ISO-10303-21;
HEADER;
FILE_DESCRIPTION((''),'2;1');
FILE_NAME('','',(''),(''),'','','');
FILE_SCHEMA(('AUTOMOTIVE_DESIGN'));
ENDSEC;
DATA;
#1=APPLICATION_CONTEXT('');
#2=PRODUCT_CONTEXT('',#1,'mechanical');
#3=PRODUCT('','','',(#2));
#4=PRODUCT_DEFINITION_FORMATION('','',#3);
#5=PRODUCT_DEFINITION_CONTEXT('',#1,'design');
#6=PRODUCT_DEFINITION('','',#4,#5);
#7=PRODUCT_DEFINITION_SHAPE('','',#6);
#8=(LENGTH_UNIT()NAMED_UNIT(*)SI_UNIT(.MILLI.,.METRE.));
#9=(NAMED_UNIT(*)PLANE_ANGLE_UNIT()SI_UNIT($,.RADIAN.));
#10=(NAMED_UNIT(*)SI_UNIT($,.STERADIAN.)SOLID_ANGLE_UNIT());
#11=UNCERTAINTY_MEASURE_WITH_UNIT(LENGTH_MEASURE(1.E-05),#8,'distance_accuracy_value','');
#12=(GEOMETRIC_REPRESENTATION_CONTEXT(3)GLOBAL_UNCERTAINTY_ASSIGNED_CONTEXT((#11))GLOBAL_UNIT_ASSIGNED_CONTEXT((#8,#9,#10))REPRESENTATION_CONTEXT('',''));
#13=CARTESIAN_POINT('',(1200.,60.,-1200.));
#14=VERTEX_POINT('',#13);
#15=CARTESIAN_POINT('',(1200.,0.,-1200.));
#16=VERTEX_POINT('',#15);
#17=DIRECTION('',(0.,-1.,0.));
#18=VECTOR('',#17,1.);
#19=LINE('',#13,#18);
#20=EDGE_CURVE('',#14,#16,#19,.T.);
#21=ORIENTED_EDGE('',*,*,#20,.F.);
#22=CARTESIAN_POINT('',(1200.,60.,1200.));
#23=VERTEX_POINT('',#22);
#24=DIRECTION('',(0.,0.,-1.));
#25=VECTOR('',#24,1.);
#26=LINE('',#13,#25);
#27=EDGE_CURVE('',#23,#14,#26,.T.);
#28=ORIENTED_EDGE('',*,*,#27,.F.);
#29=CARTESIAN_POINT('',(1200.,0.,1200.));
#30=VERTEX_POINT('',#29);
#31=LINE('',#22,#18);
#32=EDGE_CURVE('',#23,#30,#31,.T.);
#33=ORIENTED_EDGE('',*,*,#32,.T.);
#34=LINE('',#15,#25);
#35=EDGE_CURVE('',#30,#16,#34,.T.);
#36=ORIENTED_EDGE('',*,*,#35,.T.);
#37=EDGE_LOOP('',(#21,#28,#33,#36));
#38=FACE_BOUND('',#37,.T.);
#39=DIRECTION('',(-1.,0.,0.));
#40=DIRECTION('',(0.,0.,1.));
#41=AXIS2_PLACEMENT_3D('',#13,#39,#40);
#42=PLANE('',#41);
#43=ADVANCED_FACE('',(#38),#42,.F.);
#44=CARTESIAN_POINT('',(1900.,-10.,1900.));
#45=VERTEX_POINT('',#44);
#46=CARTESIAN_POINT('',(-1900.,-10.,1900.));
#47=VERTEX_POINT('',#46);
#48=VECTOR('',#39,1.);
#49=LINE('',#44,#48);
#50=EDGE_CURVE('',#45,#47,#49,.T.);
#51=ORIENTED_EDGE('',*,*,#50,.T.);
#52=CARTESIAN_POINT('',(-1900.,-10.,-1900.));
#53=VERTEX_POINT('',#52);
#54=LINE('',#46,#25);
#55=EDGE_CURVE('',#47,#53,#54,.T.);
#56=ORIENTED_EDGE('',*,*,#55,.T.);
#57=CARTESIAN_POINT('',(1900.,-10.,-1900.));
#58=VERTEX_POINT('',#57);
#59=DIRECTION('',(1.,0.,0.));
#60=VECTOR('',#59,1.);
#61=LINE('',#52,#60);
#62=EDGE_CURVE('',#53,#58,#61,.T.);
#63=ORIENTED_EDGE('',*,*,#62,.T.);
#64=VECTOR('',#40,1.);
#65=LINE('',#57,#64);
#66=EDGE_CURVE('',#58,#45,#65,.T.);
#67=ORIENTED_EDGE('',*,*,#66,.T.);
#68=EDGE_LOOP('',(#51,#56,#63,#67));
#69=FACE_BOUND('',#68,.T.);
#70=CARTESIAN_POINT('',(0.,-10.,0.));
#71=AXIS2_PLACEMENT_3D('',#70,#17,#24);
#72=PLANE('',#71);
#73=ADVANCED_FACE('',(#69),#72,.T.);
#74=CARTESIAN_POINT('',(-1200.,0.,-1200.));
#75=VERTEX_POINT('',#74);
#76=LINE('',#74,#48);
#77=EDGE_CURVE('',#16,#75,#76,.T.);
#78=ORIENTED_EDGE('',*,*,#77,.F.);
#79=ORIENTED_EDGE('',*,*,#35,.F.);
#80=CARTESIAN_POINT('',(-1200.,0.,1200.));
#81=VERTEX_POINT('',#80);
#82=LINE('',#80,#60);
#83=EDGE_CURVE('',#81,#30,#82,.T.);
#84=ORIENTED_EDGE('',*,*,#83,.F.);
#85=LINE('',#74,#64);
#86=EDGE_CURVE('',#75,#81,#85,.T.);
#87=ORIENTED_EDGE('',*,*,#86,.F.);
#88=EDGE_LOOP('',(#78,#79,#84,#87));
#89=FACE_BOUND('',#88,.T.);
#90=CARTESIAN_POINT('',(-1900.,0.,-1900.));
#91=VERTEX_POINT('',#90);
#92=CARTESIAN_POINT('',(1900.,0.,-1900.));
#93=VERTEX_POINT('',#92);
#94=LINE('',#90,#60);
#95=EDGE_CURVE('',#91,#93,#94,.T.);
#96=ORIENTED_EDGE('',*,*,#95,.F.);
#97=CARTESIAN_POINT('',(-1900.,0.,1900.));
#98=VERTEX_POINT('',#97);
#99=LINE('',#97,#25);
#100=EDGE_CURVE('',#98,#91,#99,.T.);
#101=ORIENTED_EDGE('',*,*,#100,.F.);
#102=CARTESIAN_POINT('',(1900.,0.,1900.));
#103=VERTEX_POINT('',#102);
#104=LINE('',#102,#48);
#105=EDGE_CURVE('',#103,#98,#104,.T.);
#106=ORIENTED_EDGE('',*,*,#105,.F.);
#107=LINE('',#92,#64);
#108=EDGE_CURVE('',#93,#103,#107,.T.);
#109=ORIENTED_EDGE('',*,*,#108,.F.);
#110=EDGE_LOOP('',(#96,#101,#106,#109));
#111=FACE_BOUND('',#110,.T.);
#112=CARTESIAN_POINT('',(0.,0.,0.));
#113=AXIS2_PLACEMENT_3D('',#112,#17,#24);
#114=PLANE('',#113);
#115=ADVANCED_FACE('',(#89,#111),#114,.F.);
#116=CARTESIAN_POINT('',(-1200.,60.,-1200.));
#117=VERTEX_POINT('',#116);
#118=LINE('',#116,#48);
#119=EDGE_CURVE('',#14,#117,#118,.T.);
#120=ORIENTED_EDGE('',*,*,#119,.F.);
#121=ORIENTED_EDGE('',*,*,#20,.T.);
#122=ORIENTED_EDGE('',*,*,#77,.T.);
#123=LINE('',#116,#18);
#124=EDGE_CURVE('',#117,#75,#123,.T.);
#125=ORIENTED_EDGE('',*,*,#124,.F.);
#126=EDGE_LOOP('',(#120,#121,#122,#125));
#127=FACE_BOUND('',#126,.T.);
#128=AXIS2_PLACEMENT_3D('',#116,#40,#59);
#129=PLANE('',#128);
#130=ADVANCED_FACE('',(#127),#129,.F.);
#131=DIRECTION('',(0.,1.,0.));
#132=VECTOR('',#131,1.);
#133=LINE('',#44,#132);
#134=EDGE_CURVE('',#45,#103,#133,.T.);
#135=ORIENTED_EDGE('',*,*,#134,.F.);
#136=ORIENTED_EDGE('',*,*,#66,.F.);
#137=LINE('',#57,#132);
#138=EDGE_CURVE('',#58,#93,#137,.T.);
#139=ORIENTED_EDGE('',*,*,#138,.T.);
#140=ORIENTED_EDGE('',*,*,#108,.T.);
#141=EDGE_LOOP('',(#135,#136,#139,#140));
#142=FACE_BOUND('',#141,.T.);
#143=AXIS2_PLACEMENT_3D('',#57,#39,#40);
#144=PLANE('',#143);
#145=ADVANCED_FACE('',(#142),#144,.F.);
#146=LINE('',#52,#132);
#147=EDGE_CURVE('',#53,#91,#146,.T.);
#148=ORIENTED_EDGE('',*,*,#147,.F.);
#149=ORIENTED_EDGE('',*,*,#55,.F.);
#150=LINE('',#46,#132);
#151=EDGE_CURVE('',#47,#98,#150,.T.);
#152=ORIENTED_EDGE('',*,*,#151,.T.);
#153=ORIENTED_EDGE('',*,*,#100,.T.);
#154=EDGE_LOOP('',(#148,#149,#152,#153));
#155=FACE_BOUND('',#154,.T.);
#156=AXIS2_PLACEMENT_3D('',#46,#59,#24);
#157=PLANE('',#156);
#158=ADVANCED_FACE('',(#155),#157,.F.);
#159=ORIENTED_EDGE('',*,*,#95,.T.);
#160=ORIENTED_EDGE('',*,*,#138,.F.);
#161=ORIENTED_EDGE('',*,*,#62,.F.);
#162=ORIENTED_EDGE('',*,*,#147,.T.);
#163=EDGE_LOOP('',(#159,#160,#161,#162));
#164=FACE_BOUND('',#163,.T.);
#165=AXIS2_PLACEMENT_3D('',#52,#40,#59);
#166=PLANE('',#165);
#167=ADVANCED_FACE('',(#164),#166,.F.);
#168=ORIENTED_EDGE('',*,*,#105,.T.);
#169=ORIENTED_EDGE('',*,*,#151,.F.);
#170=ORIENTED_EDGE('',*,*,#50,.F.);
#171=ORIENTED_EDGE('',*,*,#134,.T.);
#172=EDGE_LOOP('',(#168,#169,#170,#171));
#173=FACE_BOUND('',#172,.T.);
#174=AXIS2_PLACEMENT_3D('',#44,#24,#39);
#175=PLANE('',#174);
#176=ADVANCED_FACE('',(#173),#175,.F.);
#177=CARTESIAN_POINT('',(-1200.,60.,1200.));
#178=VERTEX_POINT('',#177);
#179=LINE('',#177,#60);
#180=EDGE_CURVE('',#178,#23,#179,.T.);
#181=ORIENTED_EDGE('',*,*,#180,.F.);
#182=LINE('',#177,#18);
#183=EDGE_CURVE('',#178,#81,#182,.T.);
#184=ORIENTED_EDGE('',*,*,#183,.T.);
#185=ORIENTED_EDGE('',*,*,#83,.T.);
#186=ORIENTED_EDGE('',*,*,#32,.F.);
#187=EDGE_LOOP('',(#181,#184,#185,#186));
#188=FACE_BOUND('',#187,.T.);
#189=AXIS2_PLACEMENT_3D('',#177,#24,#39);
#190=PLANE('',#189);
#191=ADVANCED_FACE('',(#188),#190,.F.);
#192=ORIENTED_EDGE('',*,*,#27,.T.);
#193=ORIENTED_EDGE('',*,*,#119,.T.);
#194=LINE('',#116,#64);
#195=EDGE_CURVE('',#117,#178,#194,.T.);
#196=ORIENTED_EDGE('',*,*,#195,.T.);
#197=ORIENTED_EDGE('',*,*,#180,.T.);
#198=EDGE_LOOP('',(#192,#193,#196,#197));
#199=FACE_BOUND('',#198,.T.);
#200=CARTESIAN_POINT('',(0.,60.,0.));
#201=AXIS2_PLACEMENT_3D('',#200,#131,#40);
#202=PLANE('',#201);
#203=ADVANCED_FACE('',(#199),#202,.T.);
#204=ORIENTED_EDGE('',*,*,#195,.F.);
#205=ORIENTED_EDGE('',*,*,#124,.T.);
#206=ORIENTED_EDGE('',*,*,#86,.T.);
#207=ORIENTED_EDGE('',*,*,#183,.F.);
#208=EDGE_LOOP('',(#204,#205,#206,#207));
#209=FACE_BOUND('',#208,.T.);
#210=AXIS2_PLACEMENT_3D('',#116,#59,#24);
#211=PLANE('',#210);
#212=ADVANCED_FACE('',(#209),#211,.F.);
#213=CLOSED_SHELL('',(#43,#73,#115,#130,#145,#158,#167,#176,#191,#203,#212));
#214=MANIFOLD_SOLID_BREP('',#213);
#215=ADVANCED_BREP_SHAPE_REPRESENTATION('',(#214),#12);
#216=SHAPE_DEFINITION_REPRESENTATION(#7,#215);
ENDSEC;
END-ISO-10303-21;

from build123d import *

# Parameters (mm, degrees)
SKETCH_1_W      = 2400
SKETCH_1_H      = 2400
EXTRUDE_1_DEPTH = 60
SKETCH_3_W      = 3800
SKETCH_3_H      = 3800
EXTRUDE_2_DEPTH = 10


with BuildPart() as part:
    # 草图1 → 凸台-拉伸1 (new body)
    with BuildSketch(Plane(origin=(0, 0, 0), x_dir=(1, 0, 0), z_dir=(0, 1, 0))):
        Rectangle(SKETCH_1_W, SKETCH_1_H)
    extrude(amount=EXTRUDE_1_DEPTH)

    # 草图3 → 凸台-拉伸2 (add)
    with BuildSketch(Plane.XZ):
        Rectangle(SKETCH_3_W, SKETCH_3_H)
    extrude(amount=EXTRUDE_2_DEPTH)


solid = part.part
